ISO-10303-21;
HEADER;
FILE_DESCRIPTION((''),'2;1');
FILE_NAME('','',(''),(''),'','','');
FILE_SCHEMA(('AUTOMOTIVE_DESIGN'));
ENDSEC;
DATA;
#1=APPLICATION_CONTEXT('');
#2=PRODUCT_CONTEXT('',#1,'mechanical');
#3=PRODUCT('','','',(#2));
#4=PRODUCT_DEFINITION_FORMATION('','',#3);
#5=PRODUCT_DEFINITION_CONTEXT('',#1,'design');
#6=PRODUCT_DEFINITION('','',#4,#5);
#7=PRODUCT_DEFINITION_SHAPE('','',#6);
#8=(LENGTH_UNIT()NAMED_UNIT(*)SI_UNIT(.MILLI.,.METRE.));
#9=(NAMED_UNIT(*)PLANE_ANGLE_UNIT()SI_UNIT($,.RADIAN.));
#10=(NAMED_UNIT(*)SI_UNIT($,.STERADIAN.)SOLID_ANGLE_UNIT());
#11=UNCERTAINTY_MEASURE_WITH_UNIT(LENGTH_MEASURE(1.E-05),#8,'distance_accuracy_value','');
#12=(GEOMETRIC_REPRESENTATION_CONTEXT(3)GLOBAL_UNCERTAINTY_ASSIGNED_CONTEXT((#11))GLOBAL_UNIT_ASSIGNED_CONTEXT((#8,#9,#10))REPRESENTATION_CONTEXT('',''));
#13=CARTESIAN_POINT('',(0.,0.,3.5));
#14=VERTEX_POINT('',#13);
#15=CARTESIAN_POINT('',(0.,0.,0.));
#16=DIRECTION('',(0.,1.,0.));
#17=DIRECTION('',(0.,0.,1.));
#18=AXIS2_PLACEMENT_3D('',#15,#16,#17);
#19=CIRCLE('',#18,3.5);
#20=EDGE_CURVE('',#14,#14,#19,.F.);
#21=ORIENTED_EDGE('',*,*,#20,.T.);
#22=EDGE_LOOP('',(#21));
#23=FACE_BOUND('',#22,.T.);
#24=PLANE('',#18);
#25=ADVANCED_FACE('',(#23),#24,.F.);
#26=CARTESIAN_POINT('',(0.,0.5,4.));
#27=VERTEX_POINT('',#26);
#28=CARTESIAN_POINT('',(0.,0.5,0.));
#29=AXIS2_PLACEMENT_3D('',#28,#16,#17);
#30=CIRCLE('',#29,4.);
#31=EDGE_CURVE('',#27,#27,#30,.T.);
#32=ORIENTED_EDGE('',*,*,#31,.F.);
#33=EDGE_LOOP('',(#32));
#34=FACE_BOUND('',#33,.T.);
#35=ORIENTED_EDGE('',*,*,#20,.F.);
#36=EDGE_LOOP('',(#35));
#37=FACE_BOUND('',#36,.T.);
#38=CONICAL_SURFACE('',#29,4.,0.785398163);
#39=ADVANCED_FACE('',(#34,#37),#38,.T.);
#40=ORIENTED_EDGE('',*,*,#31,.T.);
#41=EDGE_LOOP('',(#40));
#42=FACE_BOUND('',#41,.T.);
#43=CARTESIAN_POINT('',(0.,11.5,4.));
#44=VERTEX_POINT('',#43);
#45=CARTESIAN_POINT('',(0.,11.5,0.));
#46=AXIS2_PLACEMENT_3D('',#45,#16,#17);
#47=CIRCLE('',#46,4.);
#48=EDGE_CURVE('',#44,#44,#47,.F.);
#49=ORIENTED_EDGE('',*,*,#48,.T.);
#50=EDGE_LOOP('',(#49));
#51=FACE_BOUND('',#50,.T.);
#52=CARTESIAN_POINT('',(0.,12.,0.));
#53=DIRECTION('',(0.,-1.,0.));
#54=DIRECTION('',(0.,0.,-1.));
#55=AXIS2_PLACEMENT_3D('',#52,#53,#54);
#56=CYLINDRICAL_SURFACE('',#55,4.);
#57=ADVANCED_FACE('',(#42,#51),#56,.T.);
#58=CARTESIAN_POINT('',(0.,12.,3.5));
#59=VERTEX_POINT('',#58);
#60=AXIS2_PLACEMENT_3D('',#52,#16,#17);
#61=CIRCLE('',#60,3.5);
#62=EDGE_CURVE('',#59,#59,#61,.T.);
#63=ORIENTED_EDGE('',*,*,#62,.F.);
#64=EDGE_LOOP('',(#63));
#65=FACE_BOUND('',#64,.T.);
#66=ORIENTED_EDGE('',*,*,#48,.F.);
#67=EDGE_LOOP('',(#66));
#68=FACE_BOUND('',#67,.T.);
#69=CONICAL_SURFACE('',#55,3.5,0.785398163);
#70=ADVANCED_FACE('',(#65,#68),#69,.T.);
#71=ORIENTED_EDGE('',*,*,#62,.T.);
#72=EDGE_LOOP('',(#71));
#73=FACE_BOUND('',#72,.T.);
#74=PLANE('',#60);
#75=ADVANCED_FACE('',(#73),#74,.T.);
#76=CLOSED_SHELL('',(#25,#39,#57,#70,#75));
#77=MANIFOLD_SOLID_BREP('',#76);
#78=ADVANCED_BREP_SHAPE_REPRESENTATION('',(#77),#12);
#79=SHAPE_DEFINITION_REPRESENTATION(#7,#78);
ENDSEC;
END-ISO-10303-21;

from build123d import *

# Parameters (mm, degrees)
SKETCH_1_R      = 4
EXTRUDE_1_DEPTH = 12
CHAMFER_1_SIZE  = 0.5


with BuildPart() as part:
    # 草图1 → 凸台-拉伸1 (new body)
    with BuildSketch(Plane(origin=(0, 0, 0), x_dir=(1, 0, 0), z_dir=(0, 1, 0))):
        with Locations(Location((0, 0, 0), (0, 0, 270))):
            Circle(SKETCH_1_R)
    extrude(amount=EXTRUDE_1_DEPTH)

    # 倒角1
    chamfer_1_edges = [part.edges().sort_by_distance(p)[0] for p in [
        (0, 0, -4),
        (0, 12, -4),
    ]]
    chamfer(chamfer_1_edges, length=CHAMFER_1_SIZE)


solid = part.part
